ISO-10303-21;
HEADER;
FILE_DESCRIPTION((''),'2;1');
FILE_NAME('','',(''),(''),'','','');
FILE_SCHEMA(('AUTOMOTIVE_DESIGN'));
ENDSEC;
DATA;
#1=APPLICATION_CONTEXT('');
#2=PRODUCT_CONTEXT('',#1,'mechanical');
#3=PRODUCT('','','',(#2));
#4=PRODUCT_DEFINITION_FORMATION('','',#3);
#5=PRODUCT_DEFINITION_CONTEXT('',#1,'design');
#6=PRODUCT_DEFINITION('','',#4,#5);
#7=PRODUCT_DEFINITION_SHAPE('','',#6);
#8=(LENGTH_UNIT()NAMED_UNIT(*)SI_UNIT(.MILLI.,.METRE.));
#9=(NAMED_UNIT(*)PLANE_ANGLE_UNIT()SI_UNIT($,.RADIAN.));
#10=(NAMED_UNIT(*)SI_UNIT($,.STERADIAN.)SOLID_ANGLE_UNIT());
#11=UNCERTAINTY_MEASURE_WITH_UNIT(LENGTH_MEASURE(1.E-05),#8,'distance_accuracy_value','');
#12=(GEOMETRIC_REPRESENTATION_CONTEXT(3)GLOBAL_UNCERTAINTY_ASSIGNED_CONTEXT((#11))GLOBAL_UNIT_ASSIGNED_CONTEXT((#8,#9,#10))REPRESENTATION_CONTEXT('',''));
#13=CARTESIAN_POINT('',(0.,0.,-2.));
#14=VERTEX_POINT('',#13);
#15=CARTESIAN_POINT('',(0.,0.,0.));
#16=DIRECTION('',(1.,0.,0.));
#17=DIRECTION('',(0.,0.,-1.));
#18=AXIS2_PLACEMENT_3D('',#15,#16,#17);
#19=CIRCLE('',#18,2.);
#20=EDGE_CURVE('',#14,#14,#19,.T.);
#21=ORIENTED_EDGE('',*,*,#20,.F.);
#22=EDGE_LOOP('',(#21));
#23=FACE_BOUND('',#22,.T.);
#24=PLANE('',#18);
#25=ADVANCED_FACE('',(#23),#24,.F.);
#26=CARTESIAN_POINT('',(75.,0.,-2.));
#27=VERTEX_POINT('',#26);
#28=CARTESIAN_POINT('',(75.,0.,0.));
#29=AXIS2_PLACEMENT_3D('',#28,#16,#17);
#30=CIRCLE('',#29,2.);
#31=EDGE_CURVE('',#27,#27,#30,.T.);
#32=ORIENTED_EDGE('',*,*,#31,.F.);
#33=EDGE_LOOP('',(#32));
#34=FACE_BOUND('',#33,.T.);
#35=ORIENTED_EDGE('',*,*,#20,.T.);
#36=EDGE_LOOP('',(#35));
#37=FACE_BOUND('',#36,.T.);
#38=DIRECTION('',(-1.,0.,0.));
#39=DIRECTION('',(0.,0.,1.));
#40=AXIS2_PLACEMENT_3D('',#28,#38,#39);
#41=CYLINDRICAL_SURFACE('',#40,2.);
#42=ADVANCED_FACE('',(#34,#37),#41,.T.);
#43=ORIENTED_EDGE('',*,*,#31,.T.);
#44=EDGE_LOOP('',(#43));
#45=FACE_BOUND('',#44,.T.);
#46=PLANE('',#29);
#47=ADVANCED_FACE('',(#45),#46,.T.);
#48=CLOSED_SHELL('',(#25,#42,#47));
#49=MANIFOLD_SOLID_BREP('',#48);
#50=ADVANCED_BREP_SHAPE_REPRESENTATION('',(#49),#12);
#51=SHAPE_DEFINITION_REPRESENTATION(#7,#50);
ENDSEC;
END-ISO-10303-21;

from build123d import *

# Parameters (mm, degrees)
SCHIZZO1_R                   = 2
ESTRUSIONE_ESTRUSIONE1_DEPTH = 75


with BuildPart() as part:
    # Schizzo1 → Estrusione-Estrusione1 (new body)
    with BuildSketch(Plane(origin=(0, 0, 0), x_dir=(0, 0, -1), z_dir=(1, 0, 0))):
        Circle(SCHIZZO1_R)
    extrude(amount=ESTRUSIONE_ESTRUSIONE1_DEPTH)


solid = part.part
